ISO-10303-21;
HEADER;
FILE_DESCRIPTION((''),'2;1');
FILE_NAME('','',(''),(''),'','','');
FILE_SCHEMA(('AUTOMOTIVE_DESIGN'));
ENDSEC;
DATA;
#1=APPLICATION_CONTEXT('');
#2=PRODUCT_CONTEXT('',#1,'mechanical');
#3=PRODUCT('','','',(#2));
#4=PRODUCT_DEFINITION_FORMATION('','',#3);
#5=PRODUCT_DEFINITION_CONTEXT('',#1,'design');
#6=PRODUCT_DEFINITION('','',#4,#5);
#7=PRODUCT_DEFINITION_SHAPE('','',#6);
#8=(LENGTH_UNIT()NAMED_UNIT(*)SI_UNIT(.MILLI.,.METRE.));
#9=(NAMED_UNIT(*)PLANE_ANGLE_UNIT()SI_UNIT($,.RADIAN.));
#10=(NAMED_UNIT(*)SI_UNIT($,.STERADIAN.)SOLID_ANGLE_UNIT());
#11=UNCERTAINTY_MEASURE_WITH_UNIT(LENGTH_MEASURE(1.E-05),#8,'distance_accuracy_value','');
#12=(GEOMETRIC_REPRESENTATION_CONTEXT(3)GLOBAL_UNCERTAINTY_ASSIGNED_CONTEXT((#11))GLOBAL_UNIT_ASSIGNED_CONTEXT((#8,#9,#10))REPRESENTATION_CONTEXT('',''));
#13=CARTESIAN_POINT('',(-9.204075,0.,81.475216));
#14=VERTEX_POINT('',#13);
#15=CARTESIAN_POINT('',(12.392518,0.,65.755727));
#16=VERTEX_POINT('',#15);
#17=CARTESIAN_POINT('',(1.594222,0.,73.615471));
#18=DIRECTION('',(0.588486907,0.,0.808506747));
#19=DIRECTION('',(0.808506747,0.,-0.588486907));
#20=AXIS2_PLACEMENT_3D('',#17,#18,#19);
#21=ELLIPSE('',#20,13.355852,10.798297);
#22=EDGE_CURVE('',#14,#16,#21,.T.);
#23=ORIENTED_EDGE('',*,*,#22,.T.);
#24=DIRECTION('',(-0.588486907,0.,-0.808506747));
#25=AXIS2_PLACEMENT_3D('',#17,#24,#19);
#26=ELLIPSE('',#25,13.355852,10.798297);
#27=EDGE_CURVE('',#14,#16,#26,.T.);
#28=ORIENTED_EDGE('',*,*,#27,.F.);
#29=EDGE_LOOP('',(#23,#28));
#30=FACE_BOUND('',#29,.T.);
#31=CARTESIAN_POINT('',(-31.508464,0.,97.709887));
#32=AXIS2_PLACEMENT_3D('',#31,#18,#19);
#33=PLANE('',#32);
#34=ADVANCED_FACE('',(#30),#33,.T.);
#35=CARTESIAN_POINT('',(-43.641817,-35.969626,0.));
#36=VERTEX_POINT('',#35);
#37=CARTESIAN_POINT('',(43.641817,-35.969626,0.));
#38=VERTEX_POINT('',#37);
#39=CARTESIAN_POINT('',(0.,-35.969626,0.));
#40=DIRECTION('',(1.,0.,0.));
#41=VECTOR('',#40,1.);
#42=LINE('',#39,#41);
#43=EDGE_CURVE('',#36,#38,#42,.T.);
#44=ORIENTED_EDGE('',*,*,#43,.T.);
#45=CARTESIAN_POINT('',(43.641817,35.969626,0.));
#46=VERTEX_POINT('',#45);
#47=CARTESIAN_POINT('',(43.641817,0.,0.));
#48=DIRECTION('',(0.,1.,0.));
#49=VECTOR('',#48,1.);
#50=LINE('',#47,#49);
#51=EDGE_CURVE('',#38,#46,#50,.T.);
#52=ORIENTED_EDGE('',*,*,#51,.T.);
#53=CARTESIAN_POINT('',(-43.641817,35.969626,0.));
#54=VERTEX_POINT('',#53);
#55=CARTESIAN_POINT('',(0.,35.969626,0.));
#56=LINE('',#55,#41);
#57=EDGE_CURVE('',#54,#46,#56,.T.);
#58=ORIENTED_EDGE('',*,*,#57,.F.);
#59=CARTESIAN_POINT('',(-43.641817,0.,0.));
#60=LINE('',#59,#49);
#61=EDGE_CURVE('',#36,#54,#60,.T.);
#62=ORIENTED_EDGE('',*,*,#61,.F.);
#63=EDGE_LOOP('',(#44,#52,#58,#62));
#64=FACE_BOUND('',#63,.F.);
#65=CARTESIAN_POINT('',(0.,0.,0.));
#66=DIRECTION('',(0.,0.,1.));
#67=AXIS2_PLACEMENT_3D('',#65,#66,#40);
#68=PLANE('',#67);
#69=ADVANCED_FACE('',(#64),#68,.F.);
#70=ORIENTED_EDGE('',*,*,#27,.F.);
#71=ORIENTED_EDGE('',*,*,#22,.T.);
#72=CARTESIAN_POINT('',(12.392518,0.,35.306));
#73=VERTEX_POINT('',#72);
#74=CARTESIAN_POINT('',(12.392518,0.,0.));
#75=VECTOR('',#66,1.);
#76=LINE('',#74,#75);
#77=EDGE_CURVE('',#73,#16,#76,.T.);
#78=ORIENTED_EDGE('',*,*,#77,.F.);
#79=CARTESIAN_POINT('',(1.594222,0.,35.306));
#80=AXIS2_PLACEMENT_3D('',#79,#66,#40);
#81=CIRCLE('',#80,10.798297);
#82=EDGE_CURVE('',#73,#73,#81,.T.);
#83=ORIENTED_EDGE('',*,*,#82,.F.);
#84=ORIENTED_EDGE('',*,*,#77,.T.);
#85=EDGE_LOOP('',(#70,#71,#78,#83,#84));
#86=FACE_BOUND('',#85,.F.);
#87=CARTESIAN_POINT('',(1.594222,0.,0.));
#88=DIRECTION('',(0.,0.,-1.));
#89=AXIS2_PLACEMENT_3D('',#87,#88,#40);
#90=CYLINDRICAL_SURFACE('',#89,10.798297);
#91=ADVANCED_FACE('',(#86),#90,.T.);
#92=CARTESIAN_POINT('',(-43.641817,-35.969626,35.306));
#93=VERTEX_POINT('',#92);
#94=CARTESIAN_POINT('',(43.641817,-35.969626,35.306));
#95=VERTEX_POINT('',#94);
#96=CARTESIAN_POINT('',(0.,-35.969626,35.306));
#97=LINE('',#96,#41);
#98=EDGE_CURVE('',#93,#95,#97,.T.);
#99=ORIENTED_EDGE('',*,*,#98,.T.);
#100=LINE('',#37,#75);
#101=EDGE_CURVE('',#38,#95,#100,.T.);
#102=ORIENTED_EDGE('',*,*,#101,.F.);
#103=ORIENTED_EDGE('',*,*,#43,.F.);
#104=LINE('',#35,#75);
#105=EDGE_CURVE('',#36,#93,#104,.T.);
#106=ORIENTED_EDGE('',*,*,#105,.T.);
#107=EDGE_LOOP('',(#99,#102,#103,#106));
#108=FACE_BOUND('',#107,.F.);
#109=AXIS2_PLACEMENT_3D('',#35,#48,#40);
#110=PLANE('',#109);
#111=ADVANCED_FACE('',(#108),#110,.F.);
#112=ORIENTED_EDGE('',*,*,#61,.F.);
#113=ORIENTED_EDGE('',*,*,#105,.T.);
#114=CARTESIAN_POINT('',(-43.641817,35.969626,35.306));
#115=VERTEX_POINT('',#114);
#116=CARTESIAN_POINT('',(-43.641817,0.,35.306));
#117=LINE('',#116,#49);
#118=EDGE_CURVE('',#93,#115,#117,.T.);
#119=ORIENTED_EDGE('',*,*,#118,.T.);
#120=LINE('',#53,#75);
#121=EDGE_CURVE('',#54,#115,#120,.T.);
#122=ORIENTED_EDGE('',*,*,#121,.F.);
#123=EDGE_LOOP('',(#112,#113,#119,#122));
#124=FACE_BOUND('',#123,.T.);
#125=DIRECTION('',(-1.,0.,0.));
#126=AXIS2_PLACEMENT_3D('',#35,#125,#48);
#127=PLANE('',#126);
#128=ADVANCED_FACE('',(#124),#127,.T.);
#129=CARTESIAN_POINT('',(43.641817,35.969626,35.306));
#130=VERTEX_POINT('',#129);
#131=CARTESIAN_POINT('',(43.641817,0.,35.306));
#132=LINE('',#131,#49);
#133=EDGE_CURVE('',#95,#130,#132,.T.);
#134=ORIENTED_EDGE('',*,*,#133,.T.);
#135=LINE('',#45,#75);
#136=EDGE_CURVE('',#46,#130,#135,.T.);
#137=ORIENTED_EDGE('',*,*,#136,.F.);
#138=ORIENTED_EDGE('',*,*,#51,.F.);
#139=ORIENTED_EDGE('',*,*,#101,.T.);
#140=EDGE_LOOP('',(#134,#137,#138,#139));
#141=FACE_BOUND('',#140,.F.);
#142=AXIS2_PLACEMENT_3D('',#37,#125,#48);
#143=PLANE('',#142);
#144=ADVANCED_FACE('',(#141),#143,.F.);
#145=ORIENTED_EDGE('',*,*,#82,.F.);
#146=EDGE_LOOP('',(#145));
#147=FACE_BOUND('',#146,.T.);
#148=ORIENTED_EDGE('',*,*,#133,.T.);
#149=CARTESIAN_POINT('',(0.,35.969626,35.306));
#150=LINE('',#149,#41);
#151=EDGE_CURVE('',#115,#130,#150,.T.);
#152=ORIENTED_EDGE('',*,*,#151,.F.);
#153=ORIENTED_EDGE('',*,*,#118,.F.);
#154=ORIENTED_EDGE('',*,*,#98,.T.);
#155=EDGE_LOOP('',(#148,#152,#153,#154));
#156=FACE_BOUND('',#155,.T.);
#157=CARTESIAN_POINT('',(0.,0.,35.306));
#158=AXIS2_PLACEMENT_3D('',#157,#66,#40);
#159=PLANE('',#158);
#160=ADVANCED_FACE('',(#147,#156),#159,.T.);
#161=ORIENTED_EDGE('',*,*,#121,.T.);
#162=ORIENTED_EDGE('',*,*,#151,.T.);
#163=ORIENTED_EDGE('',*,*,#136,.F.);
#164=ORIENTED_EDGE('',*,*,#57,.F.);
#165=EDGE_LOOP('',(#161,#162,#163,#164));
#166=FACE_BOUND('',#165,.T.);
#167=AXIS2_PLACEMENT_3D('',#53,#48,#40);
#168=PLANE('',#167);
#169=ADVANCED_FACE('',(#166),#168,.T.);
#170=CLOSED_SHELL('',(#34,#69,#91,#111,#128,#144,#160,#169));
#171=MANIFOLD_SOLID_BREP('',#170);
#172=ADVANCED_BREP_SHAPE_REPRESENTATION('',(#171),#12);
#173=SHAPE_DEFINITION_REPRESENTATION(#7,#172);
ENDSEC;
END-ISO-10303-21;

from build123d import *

# Parameters (mm, degrees)
F0_R          = 10.7982965202
F1_DEPTH      = 86.614
F0_W          = 87.2836336493
F0_H          = 71.939252317
F2_DEPTH      = 35.306
F4_DEPTH      = 25.4
F4_DEPTH_BACK = 25.4


with BuildPart() as f1:
    # F0 (on Top) → F1 (new body)
    with BuildSketch(Plane.XY):
        with Locations((1.5942216851, 0)):
            Circle(F0_R)
    extrude(amount=F1_DEPTH)

    # F0 (on Top) → F2 (join)
    with BuildSketch(Plane.XY):
        Rectangle(F0_W, F0_H)
        with Locations((1.5942216851, 0)):
            Circle(F0_R, mode=Mode.SUBTRACT)
    extrude(amount=F2_DEPTH)

    # F3 (on Front) → F4 (cut, two sides)
    with BuildSketch(Plane.XZ) as f4_sk:
        Polygon((33.4245190024, 102.3935750127), (-31.5084643662, 97.7098867297), (33.4245190024, 50.4471883178), align=None)
    extrude(amount=-F4_DEPTH, mode=Mode.SUBTRACT)
    extrude(f4_sk.sketch, amount=F4_DEPTH_BACK, mode=Mode.SUBTRACT)


solid = f1.part
